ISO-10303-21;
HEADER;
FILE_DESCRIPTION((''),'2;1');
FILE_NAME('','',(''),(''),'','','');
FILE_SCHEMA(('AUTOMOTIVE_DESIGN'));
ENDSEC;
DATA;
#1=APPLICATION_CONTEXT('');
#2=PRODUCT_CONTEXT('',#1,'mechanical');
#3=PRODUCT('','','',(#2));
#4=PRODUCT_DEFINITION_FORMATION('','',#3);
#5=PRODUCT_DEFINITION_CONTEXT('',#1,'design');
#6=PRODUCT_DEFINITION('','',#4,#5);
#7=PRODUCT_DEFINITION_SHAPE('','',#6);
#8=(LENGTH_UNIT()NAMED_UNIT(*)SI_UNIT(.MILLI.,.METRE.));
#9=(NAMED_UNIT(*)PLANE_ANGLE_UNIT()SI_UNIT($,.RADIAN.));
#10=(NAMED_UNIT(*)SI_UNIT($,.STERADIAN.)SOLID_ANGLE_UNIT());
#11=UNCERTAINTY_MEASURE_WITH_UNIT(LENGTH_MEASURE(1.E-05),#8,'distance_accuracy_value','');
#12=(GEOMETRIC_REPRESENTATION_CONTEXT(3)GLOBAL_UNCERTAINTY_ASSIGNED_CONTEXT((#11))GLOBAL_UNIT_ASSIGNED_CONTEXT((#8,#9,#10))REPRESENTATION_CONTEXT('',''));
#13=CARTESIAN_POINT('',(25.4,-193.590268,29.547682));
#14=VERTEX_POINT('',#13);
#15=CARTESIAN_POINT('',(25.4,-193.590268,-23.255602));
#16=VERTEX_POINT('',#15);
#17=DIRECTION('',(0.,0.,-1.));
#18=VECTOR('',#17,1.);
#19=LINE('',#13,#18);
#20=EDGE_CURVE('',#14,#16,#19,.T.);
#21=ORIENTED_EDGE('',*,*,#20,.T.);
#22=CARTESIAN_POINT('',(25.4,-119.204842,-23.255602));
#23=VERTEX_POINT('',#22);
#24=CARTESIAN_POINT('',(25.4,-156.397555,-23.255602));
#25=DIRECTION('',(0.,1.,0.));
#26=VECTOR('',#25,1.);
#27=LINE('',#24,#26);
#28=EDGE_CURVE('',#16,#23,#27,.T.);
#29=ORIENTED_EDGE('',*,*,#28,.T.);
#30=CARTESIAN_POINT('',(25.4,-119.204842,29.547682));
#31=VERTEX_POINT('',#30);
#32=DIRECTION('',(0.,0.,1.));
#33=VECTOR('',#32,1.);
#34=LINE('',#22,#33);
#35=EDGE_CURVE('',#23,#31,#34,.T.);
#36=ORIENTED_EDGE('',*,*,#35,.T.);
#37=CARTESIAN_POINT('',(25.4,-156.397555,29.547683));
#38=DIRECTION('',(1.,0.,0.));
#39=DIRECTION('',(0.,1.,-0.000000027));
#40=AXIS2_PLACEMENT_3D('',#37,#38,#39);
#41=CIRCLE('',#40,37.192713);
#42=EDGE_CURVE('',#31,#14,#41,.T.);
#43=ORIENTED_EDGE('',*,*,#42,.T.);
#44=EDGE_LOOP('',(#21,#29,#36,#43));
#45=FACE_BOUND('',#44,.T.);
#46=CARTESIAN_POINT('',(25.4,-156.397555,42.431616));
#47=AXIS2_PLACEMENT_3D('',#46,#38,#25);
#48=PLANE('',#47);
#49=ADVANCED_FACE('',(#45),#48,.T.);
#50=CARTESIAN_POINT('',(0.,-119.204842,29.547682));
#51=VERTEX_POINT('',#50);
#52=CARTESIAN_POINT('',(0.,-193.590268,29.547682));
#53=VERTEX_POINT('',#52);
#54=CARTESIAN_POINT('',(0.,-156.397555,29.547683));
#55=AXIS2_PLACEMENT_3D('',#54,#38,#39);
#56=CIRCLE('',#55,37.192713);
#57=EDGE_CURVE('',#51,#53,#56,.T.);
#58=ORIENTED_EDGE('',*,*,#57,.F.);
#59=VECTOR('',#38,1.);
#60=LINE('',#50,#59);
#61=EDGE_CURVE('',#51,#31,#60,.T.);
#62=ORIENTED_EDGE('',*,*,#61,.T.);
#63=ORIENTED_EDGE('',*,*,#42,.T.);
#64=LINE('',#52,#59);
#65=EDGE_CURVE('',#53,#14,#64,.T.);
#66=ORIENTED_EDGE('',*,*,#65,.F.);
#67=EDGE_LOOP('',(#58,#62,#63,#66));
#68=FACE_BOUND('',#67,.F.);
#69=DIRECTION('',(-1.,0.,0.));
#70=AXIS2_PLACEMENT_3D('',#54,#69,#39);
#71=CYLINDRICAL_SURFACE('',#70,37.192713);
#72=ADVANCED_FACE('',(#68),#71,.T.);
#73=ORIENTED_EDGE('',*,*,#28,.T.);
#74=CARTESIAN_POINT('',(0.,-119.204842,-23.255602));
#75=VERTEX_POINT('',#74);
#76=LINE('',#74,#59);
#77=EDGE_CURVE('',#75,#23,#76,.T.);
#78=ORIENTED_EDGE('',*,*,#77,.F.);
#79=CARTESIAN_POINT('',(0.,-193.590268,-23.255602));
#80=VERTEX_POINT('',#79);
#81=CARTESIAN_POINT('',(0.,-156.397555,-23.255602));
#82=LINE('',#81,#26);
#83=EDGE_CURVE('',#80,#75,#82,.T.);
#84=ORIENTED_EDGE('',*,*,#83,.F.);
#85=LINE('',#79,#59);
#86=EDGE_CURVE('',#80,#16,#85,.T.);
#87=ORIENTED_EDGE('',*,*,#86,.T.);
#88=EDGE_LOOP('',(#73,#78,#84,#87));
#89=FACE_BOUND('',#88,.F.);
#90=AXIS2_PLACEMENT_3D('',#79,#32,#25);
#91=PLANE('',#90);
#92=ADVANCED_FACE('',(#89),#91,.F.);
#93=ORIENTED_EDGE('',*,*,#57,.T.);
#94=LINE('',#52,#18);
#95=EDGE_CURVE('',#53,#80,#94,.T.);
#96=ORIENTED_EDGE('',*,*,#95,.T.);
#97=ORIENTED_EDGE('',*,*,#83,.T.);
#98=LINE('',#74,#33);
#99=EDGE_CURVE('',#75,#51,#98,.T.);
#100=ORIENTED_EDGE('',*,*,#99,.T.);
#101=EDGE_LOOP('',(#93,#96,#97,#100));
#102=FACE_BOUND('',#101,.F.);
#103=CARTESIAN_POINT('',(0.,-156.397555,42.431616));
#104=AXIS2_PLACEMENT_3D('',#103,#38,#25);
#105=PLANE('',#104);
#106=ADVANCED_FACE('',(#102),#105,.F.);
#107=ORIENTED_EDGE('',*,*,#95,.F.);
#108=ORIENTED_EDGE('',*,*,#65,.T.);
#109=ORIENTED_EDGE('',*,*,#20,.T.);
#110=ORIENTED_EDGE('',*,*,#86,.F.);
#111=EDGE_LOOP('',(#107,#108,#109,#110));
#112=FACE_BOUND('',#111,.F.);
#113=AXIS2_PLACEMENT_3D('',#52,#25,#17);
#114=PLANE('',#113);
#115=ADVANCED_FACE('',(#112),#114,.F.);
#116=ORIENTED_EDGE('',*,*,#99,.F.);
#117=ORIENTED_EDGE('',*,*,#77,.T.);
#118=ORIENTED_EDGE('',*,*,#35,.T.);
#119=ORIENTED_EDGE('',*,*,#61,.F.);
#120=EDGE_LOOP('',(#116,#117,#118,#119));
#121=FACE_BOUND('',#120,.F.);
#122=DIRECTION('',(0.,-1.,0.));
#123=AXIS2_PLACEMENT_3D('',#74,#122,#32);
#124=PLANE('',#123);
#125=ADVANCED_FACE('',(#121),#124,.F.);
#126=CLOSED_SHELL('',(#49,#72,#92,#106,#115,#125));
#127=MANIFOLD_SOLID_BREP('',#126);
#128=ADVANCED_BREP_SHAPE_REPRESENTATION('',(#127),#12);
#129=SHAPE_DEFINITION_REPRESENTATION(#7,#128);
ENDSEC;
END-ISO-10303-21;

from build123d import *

# Parameters (mm, degrees)
F0_W     = 74.385426
F0_H     = 31.87947
F0_H_2   = 20.923814
F1_DEPTH = 25.4


with BuildPart() as f1:
    # F0 (on Right) → F1 (new body)
    with BuildSketch(Plane.YZ):
        with BuildLine():
            ThreePointArc((-119.204842, 29.547682), (-156.397555, 66.740396), (-193.590268, 29.547682))
            Line((-193.590268, 29.547682), (-119.204842, 29.547682))
        make_face()
        with Locations((-156.397555, 13.607947)):
            Rectangle(F0_W, F0_H)
        with Locations((-156.397555, -12.793695)):
            Rectangle(F0_W, F0_H_2)
    extrude(amount=F1_DEPTH)


solid = f1.part
